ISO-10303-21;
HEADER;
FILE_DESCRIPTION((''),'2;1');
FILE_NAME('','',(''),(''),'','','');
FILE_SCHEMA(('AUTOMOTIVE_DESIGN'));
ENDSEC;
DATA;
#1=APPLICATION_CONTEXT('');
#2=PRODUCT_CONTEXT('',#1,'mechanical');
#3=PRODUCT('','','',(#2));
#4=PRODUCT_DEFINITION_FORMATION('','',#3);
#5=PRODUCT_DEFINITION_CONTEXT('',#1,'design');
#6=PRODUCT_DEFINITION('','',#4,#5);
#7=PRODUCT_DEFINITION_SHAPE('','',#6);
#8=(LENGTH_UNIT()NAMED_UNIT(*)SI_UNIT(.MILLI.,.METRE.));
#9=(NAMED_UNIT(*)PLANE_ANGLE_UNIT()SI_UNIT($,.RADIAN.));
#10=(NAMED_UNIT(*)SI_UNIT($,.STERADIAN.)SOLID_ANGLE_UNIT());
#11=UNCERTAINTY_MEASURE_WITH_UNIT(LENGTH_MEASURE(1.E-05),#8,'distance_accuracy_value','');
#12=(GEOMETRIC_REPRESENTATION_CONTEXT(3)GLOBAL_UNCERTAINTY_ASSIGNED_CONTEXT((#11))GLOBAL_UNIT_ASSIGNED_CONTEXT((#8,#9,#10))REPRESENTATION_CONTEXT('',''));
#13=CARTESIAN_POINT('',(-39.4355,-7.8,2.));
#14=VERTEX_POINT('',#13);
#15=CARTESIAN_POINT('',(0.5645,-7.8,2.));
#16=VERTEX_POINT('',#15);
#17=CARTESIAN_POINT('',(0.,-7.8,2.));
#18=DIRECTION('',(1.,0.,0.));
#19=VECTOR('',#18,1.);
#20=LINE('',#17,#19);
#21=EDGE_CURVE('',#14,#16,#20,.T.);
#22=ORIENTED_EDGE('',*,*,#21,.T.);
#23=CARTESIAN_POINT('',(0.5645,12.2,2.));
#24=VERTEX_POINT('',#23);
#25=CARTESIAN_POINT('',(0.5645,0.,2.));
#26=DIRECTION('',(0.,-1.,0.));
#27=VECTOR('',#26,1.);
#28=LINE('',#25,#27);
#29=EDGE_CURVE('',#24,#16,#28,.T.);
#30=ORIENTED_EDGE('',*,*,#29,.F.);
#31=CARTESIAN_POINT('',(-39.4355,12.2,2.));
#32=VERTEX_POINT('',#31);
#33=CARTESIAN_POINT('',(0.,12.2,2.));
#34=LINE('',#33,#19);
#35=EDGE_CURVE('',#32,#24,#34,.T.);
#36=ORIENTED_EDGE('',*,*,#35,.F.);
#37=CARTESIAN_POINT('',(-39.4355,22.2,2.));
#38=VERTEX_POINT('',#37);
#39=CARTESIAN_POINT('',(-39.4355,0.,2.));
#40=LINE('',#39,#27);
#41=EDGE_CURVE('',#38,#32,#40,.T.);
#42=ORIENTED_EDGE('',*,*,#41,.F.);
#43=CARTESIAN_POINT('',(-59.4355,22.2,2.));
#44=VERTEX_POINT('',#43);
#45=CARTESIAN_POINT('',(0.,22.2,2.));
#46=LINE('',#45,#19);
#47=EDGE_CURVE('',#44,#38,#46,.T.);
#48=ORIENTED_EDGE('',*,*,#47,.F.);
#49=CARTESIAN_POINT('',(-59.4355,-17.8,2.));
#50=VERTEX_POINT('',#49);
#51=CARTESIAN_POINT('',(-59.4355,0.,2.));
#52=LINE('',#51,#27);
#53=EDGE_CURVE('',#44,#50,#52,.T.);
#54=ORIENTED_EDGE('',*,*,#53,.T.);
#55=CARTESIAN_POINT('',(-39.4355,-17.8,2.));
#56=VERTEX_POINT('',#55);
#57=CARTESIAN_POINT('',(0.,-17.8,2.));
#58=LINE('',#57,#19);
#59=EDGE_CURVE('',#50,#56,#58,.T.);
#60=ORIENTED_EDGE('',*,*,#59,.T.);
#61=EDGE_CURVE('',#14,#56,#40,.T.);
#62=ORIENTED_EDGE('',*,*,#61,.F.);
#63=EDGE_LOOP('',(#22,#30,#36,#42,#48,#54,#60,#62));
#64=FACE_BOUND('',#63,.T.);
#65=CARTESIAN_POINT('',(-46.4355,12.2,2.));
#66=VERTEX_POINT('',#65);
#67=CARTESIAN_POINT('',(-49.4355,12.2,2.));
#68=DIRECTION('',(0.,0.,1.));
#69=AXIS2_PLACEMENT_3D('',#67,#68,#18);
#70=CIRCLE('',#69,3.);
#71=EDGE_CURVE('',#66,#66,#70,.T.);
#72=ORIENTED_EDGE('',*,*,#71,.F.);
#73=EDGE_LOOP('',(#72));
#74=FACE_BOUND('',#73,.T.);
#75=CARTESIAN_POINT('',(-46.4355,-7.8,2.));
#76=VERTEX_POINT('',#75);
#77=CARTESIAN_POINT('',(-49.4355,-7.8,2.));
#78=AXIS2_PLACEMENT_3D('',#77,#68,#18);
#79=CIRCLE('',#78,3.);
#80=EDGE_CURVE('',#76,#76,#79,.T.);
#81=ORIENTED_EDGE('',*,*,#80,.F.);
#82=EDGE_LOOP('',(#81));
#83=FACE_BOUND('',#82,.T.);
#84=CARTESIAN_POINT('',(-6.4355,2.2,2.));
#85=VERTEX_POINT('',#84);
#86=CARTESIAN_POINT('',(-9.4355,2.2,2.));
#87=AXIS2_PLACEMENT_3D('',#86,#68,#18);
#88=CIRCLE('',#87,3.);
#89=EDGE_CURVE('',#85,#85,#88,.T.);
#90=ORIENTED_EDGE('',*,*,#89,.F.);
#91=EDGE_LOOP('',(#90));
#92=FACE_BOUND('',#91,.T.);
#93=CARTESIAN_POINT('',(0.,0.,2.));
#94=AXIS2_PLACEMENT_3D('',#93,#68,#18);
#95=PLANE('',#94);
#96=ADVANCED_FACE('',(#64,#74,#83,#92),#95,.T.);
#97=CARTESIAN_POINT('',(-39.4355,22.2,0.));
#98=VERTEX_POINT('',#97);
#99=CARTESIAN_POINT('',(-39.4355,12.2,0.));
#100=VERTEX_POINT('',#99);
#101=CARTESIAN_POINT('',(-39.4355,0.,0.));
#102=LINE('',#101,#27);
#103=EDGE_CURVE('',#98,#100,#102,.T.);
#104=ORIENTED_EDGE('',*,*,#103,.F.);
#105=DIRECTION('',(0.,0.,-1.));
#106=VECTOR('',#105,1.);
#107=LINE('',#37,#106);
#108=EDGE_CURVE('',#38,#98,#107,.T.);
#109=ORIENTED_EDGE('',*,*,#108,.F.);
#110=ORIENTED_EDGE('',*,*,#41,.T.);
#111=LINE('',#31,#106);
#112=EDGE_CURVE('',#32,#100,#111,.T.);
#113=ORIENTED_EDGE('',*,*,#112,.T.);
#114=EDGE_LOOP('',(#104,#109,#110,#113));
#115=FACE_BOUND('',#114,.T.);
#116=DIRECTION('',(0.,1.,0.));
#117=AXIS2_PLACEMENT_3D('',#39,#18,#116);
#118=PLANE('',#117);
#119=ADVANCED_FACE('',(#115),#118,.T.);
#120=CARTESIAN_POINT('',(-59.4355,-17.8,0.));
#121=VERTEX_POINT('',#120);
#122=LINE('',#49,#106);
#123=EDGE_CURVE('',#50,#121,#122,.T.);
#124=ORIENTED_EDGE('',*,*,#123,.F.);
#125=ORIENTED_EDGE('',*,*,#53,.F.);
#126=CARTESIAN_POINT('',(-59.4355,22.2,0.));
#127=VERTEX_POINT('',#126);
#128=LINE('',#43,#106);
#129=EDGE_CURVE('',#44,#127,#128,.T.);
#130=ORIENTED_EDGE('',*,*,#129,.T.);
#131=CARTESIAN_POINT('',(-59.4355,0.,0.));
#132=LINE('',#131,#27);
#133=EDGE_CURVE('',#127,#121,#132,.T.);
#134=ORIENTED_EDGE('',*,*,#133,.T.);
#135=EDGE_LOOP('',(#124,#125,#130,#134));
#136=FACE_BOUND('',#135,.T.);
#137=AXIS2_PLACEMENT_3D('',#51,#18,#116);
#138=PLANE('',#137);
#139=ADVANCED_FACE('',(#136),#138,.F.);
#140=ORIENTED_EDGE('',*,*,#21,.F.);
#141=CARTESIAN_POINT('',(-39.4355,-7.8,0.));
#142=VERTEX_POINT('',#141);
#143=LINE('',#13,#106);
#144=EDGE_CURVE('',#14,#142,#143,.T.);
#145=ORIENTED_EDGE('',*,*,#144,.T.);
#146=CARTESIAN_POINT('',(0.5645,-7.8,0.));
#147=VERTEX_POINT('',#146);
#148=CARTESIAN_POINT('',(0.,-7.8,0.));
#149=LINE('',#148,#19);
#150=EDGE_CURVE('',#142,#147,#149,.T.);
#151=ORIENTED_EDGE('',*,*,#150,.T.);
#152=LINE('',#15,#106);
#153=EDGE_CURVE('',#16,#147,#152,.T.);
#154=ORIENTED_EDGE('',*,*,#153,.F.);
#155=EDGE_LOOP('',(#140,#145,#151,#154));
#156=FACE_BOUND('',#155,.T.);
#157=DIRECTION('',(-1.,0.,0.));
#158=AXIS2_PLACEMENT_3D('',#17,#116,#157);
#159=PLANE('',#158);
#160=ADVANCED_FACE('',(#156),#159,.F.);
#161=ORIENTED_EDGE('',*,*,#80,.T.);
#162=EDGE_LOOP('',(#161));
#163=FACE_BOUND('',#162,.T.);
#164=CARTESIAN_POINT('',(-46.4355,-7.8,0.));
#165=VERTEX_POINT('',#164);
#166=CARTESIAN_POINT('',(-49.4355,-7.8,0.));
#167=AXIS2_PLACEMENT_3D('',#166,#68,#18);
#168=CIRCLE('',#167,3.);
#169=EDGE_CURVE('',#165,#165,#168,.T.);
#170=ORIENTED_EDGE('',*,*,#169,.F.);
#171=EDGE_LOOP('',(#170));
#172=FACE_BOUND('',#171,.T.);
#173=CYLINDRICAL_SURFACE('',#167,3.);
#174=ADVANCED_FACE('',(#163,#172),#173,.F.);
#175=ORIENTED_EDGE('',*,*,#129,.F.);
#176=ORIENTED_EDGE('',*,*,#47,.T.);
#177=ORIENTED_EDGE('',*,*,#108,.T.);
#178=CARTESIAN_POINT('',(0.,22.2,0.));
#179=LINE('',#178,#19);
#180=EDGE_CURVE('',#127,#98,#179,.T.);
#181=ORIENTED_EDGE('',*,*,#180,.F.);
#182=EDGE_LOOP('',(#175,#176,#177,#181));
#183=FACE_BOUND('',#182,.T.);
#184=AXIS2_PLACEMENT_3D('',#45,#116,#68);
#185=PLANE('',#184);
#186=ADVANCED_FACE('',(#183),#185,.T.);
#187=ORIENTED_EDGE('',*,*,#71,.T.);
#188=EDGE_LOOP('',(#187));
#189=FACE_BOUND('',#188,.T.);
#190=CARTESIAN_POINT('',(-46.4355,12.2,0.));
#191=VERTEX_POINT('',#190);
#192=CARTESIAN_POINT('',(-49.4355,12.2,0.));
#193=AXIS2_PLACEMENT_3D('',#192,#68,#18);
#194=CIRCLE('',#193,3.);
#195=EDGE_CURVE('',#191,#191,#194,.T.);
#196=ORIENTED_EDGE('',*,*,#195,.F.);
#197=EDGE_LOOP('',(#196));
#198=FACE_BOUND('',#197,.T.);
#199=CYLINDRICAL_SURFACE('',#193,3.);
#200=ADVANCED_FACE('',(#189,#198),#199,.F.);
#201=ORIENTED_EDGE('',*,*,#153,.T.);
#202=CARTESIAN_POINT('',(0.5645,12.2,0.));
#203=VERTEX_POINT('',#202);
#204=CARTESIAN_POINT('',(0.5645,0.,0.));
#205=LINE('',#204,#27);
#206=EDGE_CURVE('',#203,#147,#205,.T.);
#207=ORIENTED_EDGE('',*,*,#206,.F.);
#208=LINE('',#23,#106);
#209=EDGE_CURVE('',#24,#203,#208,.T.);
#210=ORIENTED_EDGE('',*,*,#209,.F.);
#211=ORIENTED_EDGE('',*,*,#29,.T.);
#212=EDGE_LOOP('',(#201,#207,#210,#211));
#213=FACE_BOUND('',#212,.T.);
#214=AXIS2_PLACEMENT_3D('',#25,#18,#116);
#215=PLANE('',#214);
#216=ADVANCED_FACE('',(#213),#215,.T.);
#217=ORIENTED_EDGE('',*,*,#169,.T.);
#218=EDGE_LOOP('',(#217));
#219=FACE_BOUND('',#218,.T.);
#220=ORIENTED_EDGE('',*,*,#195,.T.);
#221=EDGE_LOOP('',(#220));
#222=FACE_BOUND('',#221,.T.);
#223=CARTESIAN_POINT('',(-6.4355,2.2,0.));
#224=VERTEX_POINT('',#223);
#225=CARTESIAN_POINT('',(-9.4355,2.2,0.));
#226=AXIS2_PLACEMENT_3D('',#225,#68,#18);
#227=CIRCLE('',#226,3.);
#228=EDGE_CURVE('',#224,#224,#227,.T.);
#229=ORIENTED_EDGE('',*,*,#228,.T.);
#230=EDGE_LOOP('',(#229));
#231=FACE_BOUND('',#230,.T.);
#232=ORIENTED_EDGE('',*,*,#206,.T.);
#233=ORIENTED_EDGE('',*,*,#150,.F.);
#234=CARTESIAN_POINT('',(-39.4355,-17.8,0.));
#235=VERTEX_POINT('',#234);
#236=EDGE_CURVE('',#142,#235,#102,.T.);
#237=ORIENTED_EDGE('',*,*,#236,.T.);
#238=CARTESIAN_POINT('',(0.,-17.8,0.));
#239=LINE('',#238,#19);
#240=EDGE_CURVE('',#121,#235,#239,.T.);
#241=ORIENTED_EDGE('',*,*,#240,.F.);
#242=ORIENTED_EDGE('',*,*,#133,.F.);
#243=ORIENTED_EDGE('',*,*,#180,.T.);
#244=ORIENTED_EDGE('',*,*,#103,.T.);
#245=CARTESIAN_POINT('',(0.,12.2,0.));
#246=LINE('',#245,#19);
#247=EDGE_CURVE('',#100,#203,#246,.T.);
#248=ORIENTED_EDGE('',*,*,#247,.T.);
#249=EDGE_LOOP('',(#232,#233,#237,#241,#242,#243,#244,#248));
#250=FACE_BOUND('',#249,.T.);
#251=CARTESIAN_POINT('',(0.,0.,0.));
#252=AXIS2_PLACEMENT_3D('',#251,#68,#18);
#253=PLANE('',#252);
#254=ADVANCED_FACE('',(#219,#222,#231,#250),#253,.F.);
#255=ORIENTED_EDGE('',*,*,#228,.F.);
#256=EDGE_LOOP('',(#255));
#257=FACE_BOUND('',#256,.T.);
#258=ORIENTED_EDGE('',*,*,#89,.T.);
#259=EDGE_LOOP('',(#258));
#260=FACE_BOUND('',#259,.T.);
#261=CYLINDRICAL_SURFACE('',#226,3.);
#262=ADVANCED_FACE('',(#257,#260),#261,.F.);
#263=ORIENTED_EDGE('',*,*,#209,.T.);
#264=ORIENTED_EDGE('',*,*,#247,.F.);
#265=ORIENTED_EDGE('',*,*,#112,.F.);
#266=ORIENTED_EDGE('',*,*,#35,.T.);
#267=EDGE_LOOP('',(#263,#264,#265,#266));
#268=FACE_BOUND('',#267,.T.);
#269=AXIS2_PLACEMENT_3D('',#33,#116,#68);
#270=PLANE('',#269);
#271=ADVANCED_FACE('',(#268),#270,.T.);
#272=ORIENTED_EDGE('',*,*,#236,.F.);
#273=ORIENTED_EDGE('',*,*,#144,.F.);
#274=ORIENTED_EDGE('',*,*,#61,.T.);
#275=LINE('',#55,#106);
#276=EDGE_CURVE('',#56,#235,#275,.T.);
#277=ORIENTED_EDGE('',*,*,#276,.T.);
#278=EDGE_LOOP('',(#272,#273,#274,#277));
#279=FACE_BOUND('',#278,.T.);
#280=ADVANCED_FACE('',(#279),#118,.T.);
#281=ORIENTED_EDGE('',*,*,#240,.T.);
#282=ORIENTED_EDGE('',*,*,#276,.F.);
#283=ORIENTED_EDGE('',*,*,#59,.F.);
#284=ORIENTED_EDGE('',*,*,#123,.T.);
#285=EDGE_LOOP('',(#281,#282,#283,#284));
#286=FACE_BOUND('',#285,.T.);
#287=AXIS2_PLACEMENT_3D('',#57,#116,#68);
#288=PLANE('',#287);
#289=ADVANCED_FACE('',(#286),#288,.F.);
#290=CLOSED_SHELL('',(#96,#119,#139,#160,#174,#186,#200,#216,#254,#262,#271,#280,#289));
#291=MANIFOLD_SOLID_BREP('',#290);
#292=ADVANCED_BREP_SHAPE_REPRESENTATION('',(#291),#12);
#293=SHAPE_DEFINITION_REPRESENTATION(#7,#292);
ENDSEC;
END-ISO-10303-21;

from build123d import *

# Parameters (mm, degrees)
SZKIC1_W                    = 40
SZKIC1_H                    = 20
SZKIC1_W_2                  = 20
SZKIC1_H_2                  = 40
DODANIE_WYCI_GNI_CIE1_DEPTH = 2
SZKIC2_R                    = 3
WYTNIJ_WYCI_GNI_CIE1_DEPTH  = 2


with BuildPart() as part:
    # Szkic1 → Dodanie-wyciągnięcie1 (new body)
    with BuildSketch(Plane.XY):
        with Locations((-19.435499515, 2.2)):
            Rectangle(SZKIC1_W, SZKIC1_H)
        with Locations((-49.435499515, 2.2)):
            Rectangle(SZKIC1_W_2, SZKIC1_H_2)
    extrude(amount=DODANIE_WYCI_GNI_CIE1_DEPTH)

    # Szkic2 → Wytnij-wyciągnięcie1 (cut)
    with BuildSketch(Plane.XY.offset(2)):
        with Locations((-9.435499515, 2.2)):
            Circle(SZKIC2_R)
        with Locations((-49.435499515, 12.2)):
            Circle(SZKIC2_R)
        with Locations((-49.435499515, -7.8)):
            Circle(SZKIC2_R)
    extrude(amount=-WYTNIJ_WYCI_GNI_CIE1_DEPTH, mode=Mode.SUBTRACT)


solid = part.part
